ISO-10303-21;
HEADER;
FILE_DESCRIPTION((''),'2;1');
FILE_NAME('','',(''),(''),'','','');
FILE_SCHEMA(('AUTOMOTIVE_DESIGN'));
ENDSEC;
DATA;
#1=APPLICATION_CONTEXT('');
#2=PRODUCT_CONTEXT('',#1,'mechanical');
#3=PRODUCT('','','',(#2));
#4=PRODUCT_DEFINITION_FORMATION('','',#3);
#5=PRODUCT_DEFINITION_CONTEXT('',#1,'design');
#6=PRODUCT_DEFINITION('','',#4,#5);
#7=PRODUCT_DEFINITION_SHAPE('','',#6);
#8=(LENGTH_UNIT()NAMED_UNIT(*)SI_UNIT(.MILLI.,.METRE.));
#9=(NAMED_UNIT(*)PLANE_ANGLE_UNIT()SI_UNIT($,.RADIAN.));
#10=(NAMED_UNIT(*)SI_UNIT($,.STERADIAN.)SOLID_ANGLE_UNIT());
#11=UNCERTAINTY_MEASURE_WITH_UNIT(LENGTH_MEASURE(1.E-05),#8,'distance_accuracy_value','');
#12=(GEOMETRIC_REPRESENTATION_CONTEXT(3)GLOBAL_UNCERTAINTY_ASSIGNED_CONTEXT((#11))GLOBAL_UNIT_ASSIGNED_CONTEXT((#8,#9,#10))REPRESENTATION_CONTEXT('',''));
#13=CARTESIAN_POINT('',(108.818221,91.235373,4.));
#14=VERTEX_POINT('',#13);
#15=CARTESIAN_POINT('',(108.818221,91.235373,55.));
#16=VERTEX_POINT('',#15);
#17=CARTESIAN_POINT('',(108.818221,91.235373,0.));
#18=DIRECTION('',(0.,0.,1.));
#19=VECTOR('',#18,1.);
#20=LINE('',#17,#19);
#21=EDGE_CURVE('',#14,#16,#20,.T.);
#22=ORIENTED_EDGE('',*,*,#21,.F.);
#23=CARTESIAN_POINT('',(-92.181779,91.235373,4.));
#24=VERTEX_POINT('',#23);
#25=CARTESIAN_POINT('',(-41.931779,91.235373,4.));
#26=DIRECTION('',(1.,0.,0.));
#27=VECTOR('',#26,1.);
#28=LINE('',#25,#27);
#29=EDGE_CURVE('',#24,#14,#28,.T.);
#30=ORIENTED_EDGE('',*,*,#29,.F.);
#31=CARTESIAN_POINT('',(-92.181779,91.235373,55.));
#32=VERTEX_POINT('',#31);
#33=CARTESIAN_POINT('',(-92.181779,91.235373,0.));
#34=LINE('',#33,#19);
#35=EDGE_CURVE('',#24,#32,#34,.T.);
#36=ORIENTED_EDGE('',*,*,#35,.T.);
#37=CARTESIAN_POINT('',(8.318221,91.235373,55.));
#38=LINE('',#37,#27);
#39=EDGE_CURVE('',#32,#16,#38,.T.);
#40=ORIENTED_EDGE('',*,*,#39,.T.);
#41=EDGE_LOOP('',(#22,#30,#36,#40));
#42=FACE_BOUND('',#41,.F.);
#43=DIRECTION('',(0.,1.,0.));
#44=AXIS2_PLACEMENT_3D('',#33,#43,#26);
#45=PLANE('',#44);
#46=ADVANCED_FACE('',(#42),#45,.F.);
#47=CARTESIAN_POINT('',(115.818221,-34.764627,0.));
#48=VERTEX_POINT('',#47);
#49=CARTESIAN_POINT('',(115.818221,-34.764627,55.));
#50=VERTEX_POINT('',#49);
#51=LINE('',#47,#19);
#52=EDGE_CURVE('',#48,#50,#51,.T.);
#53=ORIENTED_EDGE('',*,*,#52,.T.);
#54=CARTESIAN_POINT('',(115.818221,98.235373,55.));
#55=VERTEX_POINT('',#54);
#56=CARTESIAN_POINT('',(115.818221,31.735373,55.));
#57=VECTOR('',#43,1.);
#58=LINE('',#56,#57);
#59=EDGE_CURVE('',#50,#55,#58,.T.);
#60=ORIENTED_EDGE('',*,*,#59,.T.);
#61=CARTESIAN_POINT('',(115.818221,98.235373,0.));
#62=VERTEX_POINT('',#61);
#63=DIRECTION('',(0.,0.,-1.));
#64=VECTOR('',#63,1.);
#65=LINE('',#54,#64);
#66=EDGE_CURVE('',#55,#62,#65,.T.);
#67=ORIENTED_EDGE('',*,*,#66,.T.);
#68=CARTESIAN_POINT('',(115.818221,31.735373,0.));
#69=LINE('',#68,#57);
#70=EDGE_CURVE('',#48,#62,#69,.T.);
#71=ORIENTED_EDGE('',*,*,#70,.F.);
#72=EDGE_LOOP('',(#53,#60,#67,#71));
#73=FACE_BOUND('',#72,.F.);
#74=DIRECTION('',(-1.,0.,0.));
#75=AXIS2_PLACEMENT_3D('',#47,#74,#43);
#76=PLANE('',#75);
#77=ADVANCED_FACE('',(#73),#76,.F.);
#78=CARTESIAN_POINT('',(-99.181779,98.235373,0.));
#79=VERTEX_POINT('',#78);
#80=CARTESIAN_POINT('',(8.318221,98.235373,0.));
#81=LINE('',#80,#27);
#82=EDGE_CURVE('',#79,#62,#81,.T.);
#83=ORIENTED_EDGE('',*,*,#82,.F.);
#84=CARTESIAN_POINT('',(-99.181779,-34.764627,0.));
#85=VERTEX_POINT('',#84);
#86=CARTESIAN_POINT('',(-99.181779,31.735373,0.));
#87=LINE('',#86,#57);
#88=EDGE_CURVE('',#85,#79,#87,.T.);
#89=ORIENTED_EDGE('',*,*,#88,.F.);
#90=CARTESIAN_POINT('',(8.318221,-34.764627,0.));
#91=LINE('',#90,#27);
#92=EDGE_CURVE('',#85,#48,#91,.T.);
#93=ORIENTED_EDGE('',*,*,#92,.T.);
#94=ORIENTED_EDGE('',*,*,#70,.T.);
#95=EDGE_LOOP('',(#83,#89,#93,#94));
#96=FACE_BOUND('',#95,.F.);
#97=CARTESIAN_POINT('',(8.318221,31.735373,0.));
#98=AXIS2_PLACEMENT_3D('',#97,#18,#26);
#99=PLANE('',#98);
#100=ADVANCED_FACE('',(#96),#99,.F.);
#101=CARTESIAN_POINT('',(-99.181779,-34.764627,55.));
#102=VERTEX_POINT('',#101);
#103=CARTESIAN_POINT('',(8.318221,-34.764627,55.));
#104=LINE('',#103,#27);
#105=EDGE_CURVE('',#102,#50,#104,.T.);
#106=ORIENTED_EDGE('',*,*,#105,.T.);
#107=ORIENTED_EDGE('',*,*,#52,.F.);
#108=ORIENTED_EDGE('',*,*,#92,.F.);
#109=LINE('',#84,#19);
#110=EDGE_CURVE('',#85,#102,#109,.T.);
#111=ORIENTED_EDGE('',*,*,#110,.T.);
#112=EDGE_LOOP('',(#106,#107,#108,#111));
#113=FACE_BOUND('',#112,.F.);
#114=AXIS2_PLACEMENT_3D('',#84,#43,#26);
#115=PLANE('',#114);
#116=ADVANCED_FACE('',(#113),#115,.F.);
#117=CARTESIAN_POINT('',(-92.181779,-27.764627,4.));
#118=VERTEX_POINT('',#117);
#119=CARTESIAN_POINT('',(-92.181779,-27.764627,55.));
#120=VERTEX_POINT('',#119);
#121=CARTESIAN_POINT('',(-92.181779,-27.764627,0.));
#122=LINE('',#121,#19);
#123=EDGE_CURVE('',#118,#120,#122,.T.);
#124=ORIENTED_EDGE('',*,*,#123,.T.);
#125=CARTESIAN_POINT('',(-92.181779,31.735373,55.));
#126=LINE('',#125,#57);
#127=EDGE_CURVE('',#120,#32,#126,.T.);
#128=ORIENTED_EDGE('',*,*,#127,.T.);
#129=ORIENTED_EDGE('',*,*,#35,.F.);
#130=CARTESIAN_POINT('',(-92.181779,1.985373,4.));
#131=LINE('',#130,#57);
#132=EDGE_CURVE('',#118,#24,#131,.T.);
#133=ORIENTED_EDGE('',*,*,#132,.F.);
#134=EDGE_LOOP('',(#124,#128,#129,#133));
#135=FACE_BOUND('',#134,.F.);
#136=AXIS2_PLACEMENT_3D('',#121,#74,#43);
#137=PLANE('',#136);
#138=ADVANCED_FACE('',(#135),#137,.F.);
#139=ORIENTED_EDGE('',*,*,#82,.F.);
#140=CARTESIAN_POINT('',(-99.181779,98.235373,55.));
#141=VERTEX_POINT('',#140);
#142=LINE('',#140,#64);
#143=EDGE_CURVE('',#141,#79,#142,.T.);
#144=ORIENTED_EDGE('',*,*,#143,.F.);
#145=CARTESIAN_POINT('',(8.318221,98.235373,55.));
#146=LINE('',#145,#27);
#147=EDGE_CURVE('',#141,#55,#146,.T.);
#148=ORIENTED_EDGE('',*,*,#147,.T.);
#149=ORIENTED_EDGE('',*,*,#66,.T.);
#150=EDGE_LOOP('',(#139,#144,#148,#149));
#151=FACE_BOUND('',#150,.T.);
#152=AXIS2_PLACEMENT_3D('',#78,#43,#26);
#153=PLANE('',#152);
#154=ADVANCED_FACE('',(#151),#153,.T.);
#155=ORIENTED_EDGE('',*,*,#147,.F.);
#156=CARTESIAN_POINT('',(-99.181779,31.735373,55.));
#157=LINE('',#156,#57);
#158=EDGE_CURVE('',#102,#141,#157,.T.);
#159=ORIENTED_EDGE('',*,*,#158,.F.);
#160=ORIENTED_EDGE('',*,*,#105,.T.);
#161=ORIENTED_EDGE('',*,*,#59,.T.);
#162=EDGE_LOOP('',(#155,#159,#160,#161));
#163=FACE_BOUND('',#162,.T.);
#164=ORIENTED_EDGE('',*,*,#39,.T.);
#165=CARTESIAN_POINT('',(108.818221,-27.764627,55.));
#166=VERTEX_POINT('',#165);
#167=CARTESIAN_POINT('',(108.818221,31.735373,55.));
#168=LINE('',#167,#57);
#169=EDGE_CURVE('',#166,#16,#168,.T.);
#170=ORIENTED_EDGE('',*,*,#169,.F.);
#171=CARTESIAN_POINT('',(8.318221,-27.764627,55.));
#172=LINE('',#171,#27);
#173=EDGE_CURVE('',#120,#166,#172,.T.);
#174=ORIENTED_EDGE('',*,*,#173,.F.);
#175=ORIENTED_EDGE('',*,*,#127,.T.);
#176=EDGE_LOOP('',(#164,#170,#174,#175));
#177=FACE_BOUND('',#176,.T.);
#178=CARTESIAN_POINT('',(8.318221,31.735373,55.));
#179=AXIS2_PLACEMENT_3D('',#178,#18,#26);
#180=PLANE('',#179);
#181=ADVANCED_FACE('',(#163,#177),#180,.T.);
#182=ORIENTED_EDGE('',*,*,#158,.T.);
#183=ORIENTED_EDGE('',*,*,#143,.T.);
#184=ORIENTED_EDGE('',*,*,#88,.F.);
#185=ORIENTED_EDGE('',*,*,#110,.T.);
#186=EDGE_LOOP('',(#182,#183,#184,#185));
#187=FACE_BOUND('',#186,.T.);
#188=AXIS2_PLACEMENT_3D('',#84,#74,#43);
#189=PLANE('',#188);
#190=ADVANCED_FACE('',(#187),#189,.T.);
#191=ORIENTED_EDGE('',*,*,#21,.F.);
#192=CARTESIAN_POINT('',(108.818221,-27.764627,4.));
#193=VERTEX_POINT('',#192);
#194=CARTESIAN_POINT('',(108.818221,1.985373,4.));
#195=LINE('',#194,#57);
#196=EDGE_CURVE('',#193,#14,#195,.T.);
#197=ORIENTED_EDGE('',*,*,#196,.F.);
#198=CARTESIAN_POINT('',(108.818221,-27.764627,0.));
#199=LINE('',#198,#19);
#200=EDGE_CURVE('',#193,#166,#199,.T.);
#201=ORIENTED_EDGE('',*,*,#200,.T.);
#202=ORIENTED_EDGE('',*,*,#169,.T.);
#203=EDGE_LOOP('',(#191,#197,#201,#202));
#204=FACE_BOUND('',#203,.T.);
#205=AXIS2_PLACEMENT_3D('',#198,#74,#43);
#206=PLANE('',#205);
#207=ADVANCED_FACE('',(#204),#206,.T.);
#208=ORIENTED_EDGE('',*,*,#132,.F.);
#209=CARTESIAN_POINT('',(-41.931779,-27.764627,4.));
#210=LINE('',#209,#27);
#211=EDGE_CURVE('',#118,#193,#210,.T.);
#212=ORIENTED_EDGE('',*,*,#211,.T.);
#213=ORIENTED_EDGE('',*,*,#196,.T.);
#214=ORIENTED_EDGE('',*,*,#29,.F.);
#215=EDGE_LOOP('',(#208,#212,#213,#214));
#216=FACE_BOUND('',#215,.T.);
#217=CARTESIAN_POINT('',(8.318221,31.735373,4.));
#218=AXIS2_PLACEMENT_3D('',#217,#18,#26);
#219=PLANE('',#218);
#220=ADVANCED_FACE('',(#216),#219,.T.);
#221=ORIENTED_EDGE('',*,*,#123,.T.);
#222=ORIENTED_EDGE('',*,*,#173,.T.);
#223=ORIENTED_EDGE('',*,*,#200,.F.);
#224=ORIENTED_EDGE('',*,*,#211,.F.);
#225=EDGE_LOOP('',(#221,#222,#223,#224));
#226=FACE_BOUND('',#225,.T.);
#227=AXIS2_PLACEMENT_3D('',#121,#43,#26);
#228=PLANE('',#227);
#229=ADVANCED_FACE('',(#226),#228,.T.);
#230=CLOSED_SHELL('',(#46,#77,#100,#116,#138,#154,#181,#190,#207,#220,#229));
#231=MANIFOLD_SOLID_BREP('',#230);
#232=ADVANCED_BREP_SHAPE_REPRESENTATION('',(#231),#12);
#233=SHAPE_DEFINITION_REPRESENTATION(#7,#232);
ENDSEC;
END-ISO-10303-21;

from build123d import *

# Parameters (mm, degrees)
F0_W     = 215
F0_H     = 133
F0_W_2   = 201
F0_H_2   = 119
F1_DEPTH = 55
F2_DEPTH = 4


with BuildPart() as f1:
    # F0 (on Top) → F1 (new body)
    with BuildSketch(Plane.XY):
        with Locations((8.318221, 31.735373)):
            Rectangle(F0_W, F0_H)
        with Locations((8.318221, 31.735373)):
            Rectangle(F0_W_2, F0_H_2, mode=Mode.SUBTRACT)
    extrude(amount=F1_DEPTH)

    # F0 (on Top) → F2 (join)
    with BuildSketch(Plane.XY):
        with Locations((8.318221, 31.735373)):
            Rectangle(F0_W, F0_H)
        with Locations((8.318221, 31.735373)):
            Rectangle(F0_W_2, F0_H_2, mode=Mode.SUBTRACT)
        with Locations((8.318221, 31.735373)):
            Rectangle(F0_W_2, F0_H_2)
    extrude(amount=F2_DEPTH)


solid = f1.part
